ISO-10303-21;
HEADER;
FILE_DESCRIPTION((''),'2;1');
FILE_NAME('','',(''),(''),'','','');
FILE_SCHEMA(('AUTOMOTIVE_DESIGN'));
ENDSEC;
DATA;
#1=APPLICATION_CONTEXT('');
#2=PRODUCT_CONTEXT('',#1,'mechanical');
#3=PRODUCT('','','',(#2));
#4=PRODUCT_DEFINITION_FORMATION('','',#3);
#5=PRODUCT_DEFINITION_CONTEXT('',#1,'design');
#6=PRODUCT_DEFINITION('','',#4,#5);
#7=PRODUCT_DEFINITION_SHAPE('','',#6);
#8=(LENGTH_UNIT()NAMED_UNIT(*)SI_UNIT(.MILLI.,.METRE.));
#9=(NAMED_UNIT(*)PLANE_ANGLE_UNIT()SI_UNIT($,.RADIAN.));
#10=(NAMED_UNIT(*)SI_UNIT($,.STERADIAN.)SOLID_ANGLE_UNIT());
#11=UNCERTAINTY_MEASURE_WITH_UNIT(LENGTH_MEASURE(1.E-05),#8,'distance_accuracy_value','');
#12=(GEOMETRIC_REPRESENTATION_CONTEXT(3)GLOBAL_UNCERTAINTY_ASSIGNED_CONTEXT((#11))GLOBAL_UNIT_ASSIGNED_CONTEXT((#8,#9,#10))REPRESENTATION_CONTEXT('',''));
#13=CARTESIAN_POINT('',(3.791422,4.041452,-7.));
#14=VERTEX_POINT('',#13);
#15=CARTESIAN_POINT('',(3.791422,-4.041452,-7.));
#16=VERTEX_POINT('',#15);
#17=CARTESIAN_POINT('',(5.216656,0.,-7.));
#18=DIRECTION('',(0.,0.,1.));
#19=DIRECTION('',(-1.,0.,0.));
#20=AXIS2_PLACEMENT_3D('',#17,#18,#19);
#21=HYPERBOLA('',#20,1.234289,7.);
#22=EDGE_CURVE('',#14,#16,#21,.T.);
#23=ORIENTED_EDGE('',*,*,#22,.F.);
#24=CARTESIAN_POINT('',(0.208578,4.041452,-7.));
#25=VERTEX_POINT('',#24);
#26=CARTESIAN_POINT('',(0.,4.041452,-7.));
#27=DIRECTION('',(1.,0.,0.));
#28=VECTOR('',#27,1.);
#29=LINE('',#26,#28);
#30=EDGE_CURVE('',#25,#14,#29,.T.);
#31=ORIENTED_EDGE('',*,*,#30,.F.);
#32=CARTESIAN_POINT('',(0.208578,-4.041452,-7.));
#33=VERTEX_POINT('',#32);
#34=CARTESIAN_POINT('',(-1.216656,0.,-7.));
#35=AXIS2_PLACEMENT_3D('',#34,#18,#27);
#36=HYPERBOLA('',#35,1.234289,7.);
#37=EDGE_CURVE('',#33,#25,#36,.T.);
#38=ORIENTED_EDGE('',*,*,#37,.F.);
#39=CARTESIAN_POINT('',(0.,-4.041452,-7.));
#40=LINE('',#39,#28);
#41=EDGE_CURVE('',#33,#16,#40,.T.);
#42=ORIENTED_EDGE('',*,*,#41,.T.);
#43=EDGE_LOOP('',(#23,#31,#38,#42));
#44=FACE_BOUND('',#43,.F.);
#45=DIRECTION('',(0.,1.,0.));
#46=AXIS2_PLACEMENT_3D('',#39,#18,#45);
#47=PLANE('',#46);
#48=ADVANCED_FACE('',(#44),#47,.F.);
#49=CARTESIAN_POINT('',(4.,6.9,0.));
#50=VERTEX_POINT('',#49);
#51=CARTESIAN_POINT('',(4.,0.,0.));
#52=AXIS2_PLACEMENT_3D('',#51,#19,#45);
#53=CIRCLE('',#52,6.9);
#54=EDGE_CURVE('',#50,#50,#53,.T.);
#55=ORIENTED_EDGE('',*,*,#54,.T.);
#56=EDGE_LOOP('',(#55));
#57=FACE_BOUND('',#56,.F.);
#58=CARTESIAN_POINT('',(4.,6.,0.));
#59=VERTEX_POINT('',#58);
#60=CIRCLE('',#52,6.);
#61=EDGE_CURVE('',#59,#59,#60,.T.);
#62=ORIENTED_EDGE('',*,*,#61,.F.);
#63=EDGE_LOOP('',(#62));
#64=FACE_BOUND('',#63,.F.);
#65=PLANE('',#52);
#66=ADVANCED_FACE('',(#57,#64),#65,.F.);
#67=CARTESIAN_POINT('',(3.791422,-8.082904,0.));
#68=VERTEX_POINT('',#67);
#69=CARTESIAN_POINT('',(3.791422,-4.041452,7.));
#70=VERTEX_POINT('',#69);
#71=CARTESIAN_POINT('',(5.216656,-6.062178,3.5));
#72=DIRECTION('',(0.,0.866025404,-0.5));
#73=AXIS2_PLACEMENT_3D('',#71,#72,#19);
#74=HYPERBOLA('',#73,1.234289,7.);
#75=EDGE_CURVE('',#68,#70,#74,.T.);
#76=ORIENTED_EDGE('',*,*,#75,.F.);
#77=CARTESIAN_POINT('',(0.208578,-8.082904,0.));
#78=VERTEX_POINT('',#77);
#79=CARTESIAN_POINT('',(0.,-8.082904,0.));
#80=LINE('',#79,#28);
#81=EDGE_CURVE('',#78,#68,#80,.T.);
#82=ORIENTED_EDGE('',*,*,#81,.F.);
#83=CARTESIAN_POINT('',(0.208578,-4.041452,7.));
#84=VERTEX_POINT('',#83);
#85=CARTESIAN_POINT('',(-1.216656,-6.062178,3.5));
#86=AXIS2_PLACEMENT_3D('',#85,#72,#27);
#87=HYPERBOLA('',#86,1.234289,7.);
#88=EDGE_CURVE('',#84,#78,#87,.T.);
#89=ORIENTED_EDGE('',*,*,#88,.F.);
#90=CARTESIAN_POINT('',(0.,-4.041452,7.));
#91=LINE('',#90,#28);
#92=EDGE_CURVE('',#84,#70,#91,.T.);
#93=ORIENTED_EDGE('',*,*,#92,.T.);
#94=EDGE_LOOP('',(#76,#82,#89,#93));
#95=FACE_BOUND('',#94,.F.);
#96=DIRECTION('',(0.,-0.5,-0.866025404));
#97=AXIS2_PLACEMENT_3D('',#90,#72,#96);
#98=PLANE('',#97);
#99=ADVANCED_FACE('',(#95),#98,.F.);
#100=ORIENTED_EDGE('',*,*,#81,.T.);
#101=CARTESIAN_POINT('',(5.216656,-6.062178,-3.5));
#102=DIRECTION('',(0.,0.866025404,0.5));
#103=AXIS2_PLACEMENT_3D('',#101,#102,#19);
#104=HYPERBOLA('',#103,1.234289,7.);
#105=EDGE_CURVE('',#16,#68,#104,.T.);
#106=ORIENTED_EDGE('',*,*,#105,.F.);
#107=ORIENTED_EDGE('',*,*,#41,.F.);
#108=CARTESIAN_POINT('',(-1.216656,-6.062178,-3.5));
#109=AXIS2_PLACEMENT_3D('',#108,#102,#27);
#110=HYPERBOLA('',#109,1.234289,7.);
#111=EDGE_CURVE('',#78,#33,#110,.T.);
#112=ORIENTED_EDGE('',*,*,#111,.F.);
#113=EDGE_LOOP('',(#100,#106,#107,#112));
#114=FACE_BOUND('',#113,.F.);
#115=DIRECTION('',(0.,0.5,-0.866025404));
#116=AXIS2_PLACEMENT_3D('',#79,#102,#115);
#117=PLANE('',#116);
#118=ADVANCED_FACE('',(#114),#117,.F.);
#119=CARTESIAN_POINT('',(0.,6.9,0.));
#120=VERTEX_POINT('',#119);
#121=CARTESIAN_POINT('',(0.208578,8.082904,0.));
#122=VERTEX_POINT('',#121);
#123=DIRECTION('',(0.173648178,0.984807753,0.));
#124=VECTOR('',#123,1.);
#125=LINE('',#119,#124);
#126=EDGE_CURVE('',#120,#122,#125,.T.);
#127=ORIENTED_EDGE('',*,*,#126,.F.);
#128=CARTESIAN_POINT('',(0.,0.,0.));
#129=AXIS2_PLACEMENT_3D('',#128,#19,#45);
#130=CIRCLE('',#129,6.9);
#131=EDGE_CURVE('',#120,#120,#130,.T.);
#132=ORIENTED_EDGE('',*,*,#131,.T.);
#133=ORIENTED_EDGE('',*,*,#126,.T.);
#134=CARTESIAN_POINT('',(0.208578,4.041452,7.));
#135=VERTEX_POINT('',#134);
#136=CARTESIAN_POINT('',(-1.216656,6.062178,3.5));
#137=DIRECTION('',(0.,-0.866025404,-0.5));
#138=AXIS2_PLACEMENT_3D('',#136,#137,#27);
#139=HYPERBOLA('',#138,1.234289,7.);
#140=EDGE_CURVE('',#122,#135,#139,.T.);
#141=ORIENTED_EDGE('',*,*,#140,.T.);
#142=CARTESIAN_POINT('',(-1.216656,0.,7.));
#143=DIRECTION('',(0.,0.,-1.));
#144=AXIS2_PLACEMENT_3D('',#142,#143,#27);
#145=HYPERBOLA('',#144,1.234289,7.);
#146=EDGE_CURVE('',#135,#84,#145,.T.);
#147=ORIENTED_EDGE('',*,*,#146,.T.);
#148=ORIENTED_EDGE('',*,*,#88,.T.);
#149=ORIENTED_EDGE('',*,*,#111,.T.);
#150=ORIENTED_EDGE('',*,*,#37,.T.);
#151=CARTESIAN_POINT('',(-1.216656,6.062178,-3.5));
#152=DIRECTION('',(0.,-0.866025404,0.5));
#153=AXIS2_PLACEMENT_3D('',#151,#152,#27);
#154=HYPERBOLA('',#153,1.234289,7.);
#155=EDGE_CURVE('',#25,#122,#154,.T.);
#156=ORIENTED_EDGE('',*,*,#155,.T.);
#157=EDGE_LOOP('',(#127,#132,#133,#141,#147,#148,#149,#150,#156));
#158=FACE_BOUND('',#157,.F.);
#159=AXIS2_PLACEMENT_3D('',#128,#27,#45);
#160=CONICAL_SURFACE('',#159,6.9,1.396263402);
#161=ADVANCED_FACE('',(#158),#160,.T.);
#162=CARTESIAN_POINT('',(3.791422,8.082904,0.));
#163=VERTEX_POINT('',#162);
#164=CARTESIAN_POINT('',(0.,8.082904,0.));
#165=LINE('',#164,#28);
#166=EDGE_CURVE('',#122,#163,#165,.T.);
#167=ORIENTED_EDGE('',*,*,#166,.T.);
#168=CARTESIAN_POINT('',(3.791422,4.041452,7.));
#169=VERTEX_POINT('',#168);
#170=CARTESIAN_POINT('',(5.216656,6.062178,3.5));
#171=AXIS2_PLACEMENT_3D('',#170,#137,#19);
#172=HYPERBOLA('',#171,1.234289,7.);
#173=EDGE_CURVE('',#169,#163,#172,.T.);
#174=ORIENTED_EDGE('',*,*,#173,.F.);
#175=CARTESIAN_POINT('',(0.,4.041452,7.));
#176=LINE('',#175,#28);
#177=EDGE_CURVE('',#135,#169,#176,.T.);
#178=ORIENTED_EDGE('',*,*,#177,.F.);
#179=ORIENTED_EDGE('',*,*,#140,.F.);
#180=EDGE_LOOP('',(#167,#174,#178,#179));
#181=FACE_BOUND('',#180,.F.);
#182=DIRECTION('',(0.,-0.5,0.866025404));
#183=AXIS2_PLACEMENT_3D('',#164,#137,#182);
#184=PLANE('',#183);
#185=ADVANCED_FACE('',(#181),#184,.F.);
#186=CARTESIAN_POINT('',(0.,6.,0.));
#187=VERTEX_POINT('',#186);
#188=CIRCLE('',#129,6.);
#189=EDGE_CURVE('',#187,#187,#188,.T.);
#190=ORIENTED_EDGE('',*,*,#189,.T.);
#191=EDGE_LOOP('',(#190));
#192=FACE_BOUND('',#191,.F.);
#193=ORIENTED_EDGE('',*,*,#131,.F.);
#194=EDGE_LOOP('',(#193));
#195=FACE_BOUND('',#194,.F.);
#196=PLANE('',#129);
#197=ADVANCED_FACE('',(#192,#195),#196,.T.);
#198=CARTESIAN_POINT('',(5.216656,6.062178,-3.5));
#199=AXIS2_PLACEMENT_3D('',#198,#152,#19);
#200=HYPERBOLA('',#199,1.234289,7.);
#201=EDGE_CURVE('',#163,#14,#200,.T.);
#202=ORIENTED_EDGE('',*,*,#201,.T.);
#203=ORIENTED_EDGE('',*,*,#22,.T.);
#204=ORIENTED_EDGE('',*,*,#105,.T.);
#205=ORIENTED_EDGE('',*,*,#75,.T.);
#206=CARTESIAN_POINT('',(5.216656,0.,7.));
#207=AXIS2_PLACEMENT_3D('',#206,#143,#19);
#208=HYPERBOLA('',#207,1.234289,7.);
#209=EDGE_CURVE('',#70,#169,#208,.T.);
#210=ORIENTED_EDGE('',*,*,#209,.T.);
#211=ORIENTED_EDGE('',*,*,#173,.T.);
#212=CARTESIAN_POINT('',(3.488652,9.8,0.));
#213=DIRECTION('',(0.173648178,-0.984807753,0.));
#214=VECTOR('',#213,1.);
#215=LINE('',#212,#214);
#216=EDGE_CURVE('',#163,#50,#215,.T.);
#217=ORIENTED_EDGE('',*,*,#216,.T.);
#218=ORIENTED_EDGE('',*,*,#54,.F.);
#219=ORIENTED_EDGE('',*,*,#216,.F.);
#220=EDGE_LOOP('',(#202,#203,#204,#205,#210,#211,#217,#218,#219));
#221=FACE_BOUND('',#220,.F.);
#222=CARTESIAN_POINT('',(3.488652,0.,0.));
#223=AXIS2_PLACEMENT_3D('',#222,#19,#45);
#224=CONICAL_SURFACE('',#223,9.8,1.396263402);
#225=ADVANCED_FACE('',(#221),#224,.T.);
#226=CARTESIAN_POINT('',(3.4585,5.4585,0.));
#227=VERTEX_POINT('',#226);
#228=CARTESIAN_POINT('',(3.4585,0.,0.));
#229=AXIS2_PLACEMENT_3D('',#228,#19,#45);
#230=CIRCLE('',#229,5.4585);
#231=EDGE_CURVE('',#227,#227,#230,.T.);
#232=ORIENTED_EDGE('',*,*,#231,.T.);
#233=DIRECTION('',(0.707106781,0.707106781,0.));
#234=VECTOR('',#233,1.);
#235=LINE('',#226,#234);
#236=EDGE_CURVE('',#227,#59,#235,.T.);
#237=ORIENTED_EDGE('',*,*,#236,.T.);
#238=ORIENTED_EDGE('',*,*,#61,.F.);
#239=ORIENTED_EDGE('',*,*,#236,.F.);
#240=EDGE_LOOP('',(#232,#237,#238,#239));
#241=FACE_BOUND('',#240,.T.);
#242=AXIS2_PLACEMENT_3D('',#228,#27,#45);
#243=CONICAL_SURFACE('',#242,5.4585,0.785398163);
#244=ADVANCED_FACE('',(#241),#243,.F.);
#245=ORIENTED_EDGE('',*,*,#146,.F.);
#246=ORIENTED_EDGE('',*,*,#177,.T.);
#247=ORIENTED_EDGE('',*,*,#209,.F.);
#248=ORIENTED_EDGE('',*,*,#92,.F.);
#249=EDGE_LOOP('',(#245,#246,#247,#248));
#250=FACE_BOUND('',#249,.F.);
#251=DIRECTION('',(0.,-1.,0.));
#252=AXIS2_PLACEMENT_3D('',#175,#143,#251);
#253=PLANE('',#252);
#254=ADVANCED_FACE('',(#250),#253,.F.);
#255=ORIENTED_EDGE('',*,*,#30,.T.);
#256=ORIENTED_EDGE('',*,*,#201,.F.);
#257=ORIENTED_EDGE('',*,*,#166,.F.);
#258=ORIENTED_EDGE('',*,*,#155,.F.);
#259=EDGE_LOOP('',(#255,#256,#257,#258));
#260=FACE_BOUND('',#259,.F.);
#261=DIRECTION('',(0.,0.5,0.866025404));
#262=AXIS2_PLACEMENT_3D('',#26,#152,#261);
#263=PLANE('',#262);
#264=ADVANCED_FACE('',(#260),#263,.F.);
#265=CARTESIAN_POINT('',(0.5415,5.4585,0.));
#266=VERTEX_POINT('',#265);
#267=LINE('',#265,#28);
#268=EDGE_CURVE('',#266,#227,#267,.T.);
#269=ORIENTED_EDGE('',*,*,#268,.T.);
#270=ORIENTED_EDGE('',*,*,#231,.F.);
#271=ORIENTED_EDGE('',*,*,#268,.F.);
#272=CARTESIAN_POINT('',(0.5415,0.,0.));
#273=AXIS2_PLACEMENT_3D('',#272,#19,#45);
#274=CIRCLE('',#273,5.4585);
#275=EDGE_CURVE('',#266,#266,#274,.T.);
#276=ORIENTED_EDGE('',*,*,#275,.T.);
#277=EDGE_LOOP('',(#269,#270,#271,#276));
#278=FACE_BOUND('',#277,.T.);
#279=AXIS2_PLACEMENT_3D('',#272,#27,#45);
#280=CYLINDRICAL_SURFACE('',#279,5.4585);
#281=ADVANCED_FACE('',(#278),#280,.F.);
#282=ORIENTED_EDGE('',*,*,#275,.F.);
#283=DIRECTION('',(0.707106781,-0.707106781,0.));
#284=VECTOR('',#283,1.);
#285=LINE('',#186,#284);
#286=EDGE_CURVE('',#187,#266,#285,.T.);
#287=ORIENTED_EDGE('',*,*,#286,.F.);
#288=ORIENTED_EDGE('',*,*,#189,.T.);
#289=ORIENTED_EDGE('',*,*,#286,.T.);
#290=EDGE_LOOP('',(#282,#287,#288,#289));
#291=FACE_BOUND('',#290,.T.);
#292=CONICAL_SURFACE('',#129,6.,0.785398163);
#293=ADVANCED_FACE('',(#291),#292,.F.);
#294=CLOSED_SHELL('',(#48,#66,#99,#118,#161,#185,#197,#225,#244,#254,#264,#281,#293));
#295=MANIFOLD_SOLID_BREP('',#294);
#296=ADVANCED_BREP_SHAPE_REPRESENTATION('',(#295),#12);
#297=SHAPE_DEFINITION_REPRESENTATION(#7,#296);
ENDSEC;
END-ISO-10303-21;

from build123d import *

# Parameters (mm, degrees)
SKETCH3_W          = 28
SKETCH3_H          = 28
CUT_EXTRUDE1_DEPTH = 4


with BuildPart() as part:
    # Sketch1 → Revolve1 (revolve)
    with BuildSketch(Plane.XY):
        Polygon((0, 0), (0, 6.9), (0.511348244, 9.8), (3.488651756, 9.8), (4, 6.9), (4, 0), align=None)
    revolve(axis=Axis((4, 0, 0), (-1, 0, 0)))

    # Sketch2 → Cut-Revolve1 (revolve, cut)
    with BuildSketch(Plane.XY):
        Polygon((0, 0), (0, 6), (0.5415, 5.4585), (3.4585, 5.4585), (4, 6), (4, 0), align=None)
    revolve(axis=Axis((4, 0, 0), (-1, 0, 0)), mode=Mode.SUBTRACT)

    # Sketch3 → Cut-Extrude1 (cut)
    with BuildSketch(Plane(origin=(0, 0, 0), x_dir=(0, 0, -1), z_dir=(1, 0, 0))):
        Rectangle(SKETCH3_W, SKETCH3_H)
        Polygon((-7, -4.041451884), (0, -8.082903769), (7, -4.041451884), (7, 4.041451884), (0, 8.082903769), (-7, 4.041451884), align=None, mode=Mode.SUBTRACT)
    extrude(amount=CUT_EXTRUDE1_DEPTH, mode=Mode.SUBTRACT)


solid = part.part
